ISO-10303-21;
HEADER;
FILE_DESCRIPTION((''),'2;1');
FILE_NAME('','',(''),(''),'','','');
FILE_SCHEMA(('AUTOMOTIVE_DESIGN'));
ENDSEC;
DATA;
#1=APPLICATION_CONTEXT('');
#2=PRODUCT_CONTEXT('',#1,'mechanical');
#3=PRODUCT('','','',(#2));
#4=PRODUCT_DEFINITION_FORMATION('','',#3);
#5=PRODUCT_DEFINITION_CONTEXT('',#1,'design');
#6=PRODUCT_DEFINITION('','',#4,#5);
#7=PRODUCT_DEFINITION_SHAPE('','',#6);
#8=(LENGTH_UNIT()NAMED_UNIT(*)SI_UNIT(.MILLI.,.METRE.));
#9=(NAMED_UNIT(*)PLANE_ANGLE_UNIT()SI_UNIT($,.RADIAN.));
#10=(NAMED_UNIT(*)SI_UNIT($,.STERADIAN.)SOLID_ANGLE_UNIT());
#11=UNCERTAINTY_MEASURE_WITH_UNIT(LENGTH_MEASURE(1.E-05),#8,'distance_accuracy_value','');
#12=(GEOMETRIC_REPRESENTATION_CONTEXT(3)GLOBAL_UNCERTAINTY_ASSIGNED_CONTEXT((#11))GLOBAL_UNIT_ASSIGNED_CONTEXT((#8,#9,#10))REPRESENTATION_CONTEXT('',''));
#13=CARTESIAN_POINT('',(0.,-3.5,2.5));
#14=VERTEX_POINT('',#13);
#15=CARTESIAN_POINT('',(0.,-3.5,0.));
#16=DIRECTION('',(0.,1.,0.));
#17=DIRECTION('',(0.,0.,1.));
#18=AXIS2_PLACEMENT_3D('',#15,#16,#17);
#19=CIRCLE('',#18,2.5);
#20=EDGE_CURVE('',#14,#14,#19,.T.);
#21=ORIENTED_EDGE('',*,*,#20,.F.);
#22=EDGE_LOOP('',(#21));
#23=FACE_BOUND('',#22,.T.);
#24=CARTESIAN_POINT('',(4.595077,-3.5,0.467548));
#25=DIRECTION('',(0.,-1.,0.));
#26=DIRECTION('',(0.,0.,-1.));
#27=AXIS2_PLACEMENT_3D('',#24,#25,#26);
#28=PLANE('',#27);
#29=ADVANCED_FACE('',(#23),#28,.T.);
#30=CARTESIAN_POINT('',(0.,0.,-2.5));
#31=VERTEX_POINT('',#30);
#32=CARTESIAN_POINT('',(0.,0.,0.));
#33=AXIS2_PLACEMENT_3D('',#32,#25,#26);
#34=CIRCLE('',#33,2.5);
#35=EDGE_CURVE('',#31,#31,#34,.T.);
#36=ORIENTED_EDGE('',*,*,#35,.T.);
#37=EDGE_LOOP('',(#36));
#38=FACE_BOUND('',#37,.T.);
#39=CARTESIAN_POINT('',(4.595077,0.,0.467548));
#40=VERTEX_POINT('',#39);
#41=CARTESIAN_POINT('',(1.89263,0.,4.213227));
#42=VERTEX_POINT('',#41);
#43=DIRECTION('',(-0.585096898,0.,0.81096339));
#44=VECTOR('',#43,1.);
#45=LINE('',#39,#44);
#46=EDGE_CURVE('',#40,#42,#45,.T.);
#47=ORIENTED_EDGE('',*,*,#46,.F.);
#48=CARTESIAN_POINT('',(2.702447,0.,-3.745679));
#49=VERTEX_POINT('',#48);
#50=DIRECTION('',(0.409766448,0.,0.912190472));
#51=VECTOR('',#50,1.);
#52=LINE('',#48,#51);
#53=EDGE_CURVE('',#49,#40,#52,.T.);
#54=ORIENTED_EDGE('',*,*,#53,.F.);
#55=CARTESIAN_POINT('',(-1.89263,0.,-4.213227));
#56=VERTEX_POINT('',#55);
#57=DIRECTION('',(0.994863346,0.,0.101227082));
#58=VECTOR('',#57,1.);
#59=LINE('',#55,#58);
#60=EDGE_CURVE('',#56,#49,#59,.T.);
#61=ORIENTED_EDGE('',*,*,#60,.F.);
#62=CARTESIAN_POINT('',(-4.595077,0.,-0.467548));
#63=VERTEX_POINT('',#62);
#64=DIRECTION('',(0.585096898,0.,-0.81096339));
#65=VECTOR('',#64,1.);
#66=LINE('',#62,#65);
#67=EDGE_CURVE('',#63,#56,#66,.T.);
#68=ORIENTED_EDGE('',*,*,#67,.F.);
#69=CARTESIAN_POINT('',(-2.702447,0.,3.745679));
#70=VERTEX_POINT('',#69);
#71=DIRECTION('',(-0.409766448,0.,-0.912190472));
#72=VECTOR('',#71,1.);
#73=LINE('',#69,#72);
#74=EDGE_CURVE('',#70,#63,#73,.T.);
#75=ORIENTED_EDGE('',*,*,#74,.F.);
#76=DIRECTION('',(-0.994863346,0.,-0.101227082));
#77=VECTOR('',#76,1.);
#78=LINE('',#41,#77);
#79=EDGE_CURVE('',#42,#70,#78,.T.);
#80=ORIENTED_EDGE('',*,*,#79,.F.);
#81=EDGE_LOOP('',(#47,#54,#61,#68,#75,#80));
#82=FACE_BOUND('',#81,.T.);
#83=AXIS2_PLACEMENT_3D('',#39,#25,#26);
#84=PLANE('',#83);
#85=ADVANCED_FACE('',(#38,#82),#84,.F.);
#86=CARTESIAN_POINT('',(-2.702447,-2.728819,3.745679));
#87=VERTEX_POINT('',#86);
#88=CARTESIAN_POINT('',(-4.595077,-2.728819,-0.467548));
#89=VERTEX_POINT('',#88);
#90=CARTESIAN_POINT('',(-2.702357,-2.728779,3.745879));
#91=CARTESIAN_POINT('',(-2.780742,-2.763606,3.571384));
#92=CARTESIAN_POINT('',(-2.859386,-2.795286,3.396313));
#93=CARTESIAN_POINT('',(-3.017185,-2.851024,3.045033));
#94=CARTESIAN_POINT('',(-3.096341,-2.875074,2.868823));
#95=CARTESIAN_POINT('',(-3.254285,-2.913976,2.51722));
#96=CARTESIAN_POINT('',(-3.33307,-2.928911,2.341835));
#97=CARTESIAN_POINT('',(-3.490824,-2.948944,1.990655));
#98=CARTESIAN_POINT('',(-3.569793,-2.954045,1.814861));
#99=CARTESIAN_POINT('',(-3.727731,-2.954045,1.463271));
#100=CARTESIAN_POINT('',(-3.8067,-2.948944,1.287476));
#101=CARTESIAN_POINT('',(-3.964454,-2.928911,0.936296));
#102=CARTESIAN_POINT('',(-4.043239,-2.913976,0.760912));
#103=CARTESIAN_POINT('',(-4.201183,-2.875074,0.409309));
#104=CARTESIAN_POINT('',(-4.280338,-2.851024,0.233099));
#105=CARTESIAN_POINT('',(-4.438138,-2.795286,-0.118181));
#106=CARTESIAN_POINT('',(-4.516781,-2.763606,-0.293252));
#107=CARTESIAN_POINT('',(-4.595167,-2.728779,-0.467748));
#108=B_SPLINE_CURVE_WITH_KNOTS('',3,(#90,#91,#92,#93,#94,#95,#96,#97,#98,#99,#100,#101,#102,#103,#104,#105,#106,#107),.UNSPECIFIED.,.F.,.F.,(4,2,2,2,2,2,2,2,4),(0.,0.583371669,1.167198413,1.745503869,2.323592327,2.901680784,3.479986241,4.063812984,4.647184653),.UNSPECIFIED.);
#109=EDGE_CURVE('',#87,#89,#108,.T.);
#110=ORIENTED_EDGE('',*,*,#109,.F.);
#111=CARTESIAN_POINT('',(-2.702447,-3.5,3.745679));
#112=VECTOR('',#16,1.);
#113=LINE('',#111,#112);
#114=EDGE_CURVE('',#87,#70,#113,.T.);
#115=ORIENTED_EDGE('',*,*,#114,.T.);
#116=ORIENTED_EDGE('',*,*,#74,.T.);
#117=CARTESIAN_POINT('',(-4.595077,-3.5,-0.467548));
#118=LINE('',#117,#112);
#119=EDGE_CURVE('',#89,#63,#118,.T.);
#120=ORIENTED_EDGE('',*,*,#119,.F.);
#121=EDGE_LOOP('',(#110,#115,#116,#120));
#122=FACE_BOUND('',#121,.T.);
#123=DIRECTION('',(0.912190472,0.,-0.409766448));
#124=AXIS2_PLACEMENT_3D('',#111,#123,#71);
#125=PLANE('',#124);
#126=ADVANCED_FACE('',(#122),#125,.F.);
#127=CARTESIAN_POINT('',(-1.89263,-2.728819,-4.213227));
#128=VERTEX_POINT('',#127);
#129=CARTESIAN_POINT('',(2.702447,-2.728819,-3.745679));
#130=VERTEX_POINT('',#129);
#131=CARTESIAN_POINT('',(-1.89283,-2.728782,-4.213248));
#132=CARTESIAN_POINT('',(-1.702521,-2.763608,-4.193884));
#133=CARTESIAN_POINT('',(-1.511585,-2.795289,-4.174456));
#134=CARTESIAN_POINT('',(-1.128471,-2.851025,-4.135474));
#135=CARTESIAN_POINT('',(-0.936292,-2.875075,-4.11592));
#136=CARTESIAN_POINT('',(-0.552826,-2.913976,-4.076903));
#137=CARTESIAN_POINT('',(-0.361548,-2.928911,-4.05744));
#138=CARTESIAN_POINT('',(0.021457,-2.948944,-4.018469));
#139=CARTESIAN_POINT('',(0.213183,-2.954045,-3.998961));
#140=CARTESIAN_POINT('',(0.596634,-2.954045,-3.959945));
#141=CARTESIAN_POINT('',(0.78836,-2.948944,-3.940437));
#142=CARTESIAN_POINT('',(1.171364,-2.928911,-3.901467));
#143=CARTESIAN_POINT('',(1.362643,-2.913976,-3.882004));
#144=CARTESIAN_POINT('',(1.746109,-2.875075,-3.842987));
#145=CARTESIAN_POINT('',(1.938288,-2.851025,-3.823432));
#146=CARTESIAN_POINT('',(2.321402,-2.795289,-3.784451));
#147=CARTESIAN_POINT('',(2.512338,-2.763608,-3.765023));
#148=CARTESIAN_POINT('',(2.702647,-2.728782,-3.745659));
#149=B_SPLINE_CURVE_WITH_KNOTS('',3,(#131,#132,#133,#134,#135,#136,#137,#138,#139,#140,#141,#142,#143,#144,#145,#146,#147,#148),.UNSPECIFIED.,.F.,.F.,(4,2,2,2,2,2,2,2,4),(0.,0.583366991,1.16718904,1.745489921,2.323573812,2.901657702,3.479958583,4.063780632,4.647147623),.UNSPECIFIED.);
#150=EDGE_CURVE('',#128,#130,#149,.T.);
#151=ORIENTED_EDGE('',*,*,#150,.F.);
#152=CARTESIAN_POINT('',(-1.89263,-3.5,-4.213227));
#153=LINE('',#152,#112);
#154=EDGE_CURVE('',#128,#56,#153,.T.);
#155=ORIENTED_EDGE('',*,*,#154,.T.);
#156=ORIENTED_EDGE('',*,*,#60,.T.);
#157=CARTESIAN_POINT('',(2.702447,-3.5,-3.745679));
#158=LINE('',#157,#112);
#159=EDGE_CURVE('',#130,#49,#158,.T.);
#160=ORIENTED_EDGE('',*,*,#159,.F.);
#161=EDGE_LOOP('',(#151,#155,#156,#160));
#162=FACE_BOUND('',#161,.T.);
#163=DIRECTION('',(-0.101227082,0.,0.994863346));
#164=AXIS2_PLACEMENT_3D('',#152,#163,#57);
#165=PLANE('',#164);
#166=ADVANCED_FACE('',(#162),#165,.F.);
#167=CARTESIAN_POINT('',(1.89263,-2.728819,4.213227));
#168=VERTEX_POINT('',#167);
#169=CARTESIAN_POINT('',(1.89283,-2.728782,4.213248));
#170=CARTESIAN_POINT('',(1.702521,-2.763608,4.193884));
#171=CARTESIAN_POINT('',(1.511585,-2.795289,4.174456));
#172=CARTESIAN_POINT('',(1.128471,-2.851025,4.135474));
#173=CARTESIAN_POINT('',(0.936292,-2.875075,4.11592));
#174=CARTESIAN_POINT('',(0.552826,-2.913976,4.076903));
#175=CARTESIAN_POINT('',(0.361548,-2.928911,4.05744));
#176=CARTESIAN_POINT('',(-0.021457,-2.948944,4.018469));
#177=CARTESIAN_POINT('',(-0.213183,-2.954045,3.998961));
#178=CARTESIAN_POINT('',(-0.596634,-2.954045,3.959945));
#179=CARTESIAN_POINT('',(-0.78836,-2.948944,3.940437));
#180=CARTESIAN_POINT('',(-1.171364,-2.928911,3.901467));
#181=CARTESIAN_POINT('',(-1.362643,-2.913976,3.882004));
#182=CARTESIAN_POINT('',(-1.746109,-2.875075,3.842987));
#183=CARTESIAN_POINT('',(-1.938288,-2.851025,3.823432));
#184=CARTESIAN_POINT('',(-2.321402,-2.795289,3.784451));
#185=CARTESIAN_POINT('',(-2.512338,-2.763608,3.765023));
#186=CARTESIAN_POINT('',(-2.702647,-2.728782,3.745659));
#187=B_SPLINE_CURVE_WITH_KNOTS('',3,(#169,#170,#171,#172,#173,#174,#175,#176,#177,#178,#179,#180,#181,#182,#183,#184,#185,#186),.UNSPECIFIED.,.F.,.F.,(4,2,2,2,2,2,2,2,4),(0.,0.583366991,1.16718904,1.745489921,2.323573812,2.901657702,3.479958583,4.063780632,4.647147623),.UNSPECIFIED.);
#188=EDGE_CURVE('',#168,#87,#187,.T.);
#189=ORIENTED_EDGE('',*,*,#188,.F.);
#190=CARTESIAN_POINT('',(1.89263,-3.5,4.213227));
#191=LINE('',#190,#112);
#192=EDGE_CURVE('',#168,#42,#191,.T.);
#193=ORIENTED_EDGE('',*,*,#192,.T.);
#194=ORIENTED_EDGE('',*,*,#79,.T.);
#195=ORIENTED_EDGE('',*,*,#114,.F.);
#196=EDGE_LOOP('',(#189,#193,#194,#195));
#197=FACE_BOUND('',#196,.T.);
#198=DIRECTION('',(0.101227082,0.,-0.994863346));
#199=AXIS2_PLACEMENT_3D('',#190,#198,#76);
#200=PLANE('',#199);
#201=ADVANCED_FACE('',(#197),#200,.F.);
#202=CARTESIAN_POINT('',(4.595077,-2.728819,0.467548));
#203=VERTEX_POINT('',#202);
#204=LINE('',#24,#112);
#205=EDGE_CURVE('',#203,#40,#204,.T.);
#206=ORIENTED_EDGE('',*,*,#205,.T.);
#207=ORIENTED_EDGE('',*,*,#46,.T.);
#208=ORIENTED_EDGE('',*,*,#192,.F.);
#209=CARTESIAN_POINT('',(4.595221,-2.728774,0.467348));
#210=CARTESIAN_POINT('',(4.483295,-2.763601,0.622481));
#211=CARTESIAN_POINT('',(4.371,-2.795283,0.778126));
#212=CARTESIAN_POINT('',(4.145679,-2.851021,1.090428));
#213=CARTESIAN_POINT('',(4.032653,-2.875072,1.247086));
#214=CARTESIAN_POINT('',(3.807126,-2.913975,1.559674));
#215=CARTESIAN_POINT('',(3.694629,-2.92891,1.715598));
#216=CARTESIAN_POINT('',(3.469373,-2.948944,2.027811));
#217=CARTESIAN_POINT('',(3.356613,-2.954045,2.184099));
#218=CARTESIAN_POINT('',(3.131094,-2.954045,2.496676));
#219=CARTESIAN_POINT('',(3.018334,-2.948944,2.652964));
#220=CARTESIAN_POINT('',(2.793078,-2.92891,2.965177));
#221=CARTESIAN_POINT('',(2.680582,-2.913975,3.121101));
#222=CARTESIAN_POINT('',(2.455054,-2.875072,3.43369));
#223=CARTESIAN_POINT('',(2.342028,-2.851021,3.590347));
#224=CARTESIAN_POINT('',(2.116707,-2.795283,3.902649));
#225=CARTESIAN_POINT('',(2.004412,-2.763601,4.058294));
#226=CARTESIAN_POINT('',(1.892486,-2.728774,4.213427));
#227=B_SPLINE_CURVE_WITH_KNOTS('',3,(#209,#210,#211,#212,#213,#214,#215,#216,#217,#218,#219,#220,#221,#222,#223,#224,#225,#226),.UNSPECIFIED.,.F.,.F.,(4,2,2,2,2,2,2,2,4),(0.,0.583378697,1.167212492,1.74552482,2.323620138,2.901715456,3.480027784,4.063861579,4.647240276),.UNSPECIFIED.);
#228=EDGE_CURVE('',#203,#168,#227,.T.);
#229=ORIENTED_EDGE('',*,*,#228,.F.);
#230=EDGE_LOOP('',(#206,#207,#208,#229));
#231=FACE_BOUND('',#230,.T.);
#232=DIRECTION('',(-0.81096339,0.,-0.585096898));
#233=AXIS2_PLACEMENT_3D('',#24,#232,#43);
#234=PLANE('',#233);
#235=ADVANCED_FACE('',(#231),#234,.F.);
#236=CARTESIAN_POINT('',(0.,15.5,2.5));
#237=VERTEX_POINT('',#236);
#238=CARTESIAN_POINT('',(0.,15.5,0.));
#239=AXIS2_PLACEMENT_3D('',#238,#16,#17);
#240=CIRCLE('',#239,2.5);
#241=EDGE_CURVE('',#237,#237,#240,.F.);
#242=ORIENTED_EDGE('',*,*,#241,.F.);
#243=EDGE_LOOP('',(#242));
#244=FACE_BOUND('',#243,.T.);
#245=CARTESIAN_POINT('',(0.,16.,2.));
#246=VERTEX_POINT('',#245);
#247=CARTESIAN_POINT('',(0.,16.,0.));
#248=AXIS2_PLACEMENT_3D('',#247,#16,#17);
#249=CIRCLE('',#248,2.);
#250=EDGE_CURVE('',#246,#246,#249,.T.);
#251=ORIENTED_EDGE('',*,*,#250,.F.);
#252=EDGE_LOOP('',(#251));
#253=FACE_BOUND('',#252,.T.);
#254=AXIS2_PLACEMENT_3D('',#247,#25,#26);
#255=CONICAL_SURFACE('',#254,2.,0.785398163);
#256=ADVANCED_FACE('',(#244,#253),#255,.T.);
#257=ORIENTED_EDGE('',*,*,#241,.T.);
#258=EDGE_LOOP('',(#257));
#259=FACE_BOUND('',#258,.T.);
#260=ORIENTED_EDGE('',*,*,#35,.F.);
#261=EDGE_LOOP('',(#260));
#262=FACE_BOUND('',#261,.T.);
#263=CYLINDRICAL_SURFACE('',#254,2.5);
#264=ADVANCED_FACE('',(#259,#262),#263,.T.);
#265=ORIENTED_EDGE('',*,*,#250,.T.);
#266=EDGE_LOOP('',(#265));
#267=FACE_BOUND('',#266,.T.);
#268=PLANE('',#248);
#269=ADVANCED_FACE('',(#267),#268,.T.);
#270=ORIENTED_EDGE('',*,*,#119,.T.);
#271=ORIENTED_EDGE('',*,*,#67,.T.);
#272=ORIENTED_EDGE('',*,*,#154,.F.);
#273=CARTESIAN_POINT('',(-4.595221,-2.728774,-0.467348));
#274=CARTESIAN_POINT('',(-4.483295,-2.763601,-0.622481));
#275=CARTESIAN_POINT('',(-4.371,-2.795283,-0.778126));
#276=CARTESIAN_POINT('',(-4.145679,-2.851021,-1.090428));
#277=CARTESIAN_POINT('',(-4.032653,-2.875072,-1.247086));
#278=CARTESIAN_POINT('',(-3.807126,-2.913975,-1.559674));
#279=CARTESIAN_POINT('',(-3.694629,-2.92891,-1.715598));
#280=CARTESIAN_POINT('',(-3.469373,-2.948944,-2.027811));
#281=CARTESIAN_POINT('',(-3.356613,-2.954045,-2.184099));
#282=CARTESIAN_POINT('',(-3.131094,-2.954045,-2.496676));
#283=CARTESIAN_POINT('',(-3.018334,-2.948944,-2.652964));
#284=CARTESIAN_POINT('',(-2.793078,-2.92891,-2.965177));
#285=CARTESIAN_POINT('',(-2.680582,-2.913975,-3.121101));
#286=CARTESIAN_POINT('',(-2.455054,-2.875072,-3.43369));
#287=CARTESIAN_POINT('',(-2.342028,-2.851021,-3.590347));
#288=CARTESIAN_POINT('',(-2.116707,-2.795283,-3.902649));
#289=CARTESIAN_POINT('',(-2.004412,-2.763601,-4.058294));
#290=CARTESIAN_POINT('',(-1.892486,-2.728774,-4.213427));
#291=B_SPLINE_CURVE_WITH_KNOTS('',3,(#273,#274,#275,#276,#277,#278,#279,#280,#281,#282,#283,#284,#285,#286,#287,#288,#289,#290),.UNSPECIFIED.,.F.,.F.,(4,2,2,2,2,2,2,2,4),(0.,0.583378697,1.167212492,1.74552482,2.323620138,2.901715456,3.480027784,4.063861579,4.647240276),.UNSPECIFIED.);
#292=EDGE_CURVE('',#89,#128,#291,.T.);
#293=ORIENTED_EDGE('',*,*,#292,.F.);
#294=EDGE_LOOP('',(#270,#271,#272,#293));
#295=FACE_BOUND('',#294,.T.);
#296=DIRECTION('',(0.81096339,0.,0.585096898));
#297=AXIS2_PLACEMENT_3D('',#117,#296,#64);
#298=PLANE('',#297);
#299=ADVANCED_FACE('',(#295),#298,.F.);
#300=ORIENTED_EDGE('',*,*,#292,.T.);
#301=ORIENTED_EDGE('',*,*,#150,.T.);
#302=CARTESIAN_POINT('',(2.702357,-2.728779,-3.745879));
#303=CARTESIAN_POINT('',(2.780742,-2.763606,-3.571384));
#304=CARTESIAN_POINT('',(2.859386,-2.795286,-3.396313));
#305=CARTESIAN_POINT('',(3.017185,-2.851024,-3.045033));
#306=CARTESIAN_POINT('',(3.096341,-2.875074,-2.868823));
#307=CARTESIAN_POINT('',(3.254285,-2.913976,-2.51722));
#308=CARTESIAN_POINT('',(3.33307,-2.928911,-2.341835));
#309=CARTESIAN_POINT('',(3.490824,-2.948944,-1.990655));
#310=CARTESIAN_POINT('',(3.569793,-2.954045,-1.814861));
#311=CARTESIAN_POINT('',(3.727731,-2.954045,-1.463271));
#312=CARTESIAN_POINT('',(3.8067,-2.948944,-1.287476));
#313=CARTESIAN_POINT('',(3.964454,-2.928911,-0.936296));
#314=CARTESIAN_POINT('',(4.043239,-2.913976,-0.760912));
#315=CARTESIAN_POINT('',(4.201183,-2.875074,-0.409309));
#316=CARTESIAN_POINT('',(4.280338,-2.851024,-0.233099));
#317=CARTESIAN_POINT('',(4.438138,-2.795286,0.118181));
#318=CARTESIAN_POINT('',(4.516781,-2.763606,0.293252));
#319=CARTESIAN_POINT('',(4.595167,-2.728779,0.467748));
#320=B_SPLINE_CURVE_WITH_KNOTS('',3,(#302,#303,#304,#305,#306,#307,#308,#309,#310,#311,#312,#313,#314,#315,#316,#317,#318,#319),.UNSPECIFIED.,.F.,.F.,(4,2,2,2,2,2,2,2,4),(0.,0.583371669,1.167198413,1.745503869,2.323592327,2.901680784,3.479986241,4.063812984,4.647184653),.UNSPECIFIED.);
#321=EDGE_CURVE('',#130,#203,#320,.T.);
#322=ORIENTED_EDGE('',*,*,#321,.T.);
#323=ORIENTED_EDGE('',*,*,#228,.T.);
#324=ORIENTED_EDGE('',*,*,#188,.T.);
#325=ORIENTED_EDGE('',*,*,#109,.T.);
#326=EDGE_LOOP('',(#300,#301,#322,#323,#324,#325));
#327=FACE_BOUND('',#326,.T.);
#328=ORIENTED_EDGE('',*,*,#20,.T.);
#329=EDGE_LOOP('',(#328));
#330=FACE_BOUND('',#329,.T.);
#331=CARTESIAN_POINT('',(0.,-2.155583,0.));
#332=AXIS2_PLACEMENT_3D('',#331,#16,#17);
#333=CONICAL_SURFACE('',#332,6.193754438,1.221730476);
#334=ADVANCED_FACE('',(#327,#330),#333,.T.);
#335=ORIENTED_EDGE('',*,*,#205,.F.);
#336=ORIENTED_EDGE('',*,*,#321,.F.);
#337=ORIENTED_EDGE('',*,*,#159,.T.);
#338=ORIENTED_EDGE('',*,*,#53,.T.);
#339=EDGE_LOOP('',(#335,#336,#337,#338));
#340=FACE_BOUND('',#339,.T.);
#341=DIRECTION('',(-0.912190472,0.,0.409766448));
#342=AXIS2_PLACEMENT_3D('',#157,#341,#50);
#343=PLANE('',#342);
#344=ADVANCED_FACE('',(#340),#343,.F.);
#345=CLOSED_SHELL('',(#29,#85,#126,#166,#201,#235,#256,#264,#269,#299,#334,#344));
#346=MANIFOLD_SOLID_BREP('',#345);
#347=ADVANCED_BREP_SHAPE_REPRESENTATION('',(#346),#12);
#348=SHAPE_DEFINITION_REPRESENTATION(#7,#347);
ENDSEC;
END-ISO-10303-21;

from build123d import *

# Parameters (mm, degrees)
SKETCH1_R           = 2.5
BOSS_EXTRUDE1_DEPTH = 16
CHAMFER1_SIZE       = 0.5
BOSS_EXTRUDE2_DEPTH = 3.5


with BuildPart() as part:
    # Sketch1 → Boss-Extrude1 (new body)
    with BuildSketch(Plane(origin=(0, 0, 0), x_dir=(1, 0, 0), z_dir=(0, 1, 0))):
        with Locations(Location((0, 0, 0), (0, 0, 270))):
            Circle(SKETCH1_R)
    extrude(amount=BOSS_EXTRUDE1_DEPTH)

    # Chamfer1
    chamfer1_edges = [part.edges().sort_by_distance(p)[0] for p in [
        (0, 16, -2.5),
    ]]
    chamfer(chamfer1_edges, length=CHAMFER1_SIZE)

    # Sketch2 → Boss-Extrude2 (add)
    with BuildSketch(Plane.XZ):
        Polygon((4.595076966, 0.467547866), (1.892630154, 4.213227318), (-2.702446812, 3.745679452), (-4.595076966, -0.467547866), (-1.892630154, -4.213227318), (2.702446812, -3.745679452), align=None)
    extrude(amount=BOSS_EXTRUDE2_DEPTH)

    # Sketch4 → Cut-Revolve1 (revolve, cut)
    with BuildSketch(Plane(origin=(0, 0, 0), x_dir=(0, 0, -1), z_dir=(1, 0, 0))):
        Polygon((0, -3.5), (2.5, -3.5), (6.193754438, -2.155583332), (6.193754438, -4.64679672), (0, -4.64679672), align=None)
    revolve(axis=Axis((0, 0, 0), (0, -1, 0)), mode=Mode.SUBTRACT)


solid = part.part
